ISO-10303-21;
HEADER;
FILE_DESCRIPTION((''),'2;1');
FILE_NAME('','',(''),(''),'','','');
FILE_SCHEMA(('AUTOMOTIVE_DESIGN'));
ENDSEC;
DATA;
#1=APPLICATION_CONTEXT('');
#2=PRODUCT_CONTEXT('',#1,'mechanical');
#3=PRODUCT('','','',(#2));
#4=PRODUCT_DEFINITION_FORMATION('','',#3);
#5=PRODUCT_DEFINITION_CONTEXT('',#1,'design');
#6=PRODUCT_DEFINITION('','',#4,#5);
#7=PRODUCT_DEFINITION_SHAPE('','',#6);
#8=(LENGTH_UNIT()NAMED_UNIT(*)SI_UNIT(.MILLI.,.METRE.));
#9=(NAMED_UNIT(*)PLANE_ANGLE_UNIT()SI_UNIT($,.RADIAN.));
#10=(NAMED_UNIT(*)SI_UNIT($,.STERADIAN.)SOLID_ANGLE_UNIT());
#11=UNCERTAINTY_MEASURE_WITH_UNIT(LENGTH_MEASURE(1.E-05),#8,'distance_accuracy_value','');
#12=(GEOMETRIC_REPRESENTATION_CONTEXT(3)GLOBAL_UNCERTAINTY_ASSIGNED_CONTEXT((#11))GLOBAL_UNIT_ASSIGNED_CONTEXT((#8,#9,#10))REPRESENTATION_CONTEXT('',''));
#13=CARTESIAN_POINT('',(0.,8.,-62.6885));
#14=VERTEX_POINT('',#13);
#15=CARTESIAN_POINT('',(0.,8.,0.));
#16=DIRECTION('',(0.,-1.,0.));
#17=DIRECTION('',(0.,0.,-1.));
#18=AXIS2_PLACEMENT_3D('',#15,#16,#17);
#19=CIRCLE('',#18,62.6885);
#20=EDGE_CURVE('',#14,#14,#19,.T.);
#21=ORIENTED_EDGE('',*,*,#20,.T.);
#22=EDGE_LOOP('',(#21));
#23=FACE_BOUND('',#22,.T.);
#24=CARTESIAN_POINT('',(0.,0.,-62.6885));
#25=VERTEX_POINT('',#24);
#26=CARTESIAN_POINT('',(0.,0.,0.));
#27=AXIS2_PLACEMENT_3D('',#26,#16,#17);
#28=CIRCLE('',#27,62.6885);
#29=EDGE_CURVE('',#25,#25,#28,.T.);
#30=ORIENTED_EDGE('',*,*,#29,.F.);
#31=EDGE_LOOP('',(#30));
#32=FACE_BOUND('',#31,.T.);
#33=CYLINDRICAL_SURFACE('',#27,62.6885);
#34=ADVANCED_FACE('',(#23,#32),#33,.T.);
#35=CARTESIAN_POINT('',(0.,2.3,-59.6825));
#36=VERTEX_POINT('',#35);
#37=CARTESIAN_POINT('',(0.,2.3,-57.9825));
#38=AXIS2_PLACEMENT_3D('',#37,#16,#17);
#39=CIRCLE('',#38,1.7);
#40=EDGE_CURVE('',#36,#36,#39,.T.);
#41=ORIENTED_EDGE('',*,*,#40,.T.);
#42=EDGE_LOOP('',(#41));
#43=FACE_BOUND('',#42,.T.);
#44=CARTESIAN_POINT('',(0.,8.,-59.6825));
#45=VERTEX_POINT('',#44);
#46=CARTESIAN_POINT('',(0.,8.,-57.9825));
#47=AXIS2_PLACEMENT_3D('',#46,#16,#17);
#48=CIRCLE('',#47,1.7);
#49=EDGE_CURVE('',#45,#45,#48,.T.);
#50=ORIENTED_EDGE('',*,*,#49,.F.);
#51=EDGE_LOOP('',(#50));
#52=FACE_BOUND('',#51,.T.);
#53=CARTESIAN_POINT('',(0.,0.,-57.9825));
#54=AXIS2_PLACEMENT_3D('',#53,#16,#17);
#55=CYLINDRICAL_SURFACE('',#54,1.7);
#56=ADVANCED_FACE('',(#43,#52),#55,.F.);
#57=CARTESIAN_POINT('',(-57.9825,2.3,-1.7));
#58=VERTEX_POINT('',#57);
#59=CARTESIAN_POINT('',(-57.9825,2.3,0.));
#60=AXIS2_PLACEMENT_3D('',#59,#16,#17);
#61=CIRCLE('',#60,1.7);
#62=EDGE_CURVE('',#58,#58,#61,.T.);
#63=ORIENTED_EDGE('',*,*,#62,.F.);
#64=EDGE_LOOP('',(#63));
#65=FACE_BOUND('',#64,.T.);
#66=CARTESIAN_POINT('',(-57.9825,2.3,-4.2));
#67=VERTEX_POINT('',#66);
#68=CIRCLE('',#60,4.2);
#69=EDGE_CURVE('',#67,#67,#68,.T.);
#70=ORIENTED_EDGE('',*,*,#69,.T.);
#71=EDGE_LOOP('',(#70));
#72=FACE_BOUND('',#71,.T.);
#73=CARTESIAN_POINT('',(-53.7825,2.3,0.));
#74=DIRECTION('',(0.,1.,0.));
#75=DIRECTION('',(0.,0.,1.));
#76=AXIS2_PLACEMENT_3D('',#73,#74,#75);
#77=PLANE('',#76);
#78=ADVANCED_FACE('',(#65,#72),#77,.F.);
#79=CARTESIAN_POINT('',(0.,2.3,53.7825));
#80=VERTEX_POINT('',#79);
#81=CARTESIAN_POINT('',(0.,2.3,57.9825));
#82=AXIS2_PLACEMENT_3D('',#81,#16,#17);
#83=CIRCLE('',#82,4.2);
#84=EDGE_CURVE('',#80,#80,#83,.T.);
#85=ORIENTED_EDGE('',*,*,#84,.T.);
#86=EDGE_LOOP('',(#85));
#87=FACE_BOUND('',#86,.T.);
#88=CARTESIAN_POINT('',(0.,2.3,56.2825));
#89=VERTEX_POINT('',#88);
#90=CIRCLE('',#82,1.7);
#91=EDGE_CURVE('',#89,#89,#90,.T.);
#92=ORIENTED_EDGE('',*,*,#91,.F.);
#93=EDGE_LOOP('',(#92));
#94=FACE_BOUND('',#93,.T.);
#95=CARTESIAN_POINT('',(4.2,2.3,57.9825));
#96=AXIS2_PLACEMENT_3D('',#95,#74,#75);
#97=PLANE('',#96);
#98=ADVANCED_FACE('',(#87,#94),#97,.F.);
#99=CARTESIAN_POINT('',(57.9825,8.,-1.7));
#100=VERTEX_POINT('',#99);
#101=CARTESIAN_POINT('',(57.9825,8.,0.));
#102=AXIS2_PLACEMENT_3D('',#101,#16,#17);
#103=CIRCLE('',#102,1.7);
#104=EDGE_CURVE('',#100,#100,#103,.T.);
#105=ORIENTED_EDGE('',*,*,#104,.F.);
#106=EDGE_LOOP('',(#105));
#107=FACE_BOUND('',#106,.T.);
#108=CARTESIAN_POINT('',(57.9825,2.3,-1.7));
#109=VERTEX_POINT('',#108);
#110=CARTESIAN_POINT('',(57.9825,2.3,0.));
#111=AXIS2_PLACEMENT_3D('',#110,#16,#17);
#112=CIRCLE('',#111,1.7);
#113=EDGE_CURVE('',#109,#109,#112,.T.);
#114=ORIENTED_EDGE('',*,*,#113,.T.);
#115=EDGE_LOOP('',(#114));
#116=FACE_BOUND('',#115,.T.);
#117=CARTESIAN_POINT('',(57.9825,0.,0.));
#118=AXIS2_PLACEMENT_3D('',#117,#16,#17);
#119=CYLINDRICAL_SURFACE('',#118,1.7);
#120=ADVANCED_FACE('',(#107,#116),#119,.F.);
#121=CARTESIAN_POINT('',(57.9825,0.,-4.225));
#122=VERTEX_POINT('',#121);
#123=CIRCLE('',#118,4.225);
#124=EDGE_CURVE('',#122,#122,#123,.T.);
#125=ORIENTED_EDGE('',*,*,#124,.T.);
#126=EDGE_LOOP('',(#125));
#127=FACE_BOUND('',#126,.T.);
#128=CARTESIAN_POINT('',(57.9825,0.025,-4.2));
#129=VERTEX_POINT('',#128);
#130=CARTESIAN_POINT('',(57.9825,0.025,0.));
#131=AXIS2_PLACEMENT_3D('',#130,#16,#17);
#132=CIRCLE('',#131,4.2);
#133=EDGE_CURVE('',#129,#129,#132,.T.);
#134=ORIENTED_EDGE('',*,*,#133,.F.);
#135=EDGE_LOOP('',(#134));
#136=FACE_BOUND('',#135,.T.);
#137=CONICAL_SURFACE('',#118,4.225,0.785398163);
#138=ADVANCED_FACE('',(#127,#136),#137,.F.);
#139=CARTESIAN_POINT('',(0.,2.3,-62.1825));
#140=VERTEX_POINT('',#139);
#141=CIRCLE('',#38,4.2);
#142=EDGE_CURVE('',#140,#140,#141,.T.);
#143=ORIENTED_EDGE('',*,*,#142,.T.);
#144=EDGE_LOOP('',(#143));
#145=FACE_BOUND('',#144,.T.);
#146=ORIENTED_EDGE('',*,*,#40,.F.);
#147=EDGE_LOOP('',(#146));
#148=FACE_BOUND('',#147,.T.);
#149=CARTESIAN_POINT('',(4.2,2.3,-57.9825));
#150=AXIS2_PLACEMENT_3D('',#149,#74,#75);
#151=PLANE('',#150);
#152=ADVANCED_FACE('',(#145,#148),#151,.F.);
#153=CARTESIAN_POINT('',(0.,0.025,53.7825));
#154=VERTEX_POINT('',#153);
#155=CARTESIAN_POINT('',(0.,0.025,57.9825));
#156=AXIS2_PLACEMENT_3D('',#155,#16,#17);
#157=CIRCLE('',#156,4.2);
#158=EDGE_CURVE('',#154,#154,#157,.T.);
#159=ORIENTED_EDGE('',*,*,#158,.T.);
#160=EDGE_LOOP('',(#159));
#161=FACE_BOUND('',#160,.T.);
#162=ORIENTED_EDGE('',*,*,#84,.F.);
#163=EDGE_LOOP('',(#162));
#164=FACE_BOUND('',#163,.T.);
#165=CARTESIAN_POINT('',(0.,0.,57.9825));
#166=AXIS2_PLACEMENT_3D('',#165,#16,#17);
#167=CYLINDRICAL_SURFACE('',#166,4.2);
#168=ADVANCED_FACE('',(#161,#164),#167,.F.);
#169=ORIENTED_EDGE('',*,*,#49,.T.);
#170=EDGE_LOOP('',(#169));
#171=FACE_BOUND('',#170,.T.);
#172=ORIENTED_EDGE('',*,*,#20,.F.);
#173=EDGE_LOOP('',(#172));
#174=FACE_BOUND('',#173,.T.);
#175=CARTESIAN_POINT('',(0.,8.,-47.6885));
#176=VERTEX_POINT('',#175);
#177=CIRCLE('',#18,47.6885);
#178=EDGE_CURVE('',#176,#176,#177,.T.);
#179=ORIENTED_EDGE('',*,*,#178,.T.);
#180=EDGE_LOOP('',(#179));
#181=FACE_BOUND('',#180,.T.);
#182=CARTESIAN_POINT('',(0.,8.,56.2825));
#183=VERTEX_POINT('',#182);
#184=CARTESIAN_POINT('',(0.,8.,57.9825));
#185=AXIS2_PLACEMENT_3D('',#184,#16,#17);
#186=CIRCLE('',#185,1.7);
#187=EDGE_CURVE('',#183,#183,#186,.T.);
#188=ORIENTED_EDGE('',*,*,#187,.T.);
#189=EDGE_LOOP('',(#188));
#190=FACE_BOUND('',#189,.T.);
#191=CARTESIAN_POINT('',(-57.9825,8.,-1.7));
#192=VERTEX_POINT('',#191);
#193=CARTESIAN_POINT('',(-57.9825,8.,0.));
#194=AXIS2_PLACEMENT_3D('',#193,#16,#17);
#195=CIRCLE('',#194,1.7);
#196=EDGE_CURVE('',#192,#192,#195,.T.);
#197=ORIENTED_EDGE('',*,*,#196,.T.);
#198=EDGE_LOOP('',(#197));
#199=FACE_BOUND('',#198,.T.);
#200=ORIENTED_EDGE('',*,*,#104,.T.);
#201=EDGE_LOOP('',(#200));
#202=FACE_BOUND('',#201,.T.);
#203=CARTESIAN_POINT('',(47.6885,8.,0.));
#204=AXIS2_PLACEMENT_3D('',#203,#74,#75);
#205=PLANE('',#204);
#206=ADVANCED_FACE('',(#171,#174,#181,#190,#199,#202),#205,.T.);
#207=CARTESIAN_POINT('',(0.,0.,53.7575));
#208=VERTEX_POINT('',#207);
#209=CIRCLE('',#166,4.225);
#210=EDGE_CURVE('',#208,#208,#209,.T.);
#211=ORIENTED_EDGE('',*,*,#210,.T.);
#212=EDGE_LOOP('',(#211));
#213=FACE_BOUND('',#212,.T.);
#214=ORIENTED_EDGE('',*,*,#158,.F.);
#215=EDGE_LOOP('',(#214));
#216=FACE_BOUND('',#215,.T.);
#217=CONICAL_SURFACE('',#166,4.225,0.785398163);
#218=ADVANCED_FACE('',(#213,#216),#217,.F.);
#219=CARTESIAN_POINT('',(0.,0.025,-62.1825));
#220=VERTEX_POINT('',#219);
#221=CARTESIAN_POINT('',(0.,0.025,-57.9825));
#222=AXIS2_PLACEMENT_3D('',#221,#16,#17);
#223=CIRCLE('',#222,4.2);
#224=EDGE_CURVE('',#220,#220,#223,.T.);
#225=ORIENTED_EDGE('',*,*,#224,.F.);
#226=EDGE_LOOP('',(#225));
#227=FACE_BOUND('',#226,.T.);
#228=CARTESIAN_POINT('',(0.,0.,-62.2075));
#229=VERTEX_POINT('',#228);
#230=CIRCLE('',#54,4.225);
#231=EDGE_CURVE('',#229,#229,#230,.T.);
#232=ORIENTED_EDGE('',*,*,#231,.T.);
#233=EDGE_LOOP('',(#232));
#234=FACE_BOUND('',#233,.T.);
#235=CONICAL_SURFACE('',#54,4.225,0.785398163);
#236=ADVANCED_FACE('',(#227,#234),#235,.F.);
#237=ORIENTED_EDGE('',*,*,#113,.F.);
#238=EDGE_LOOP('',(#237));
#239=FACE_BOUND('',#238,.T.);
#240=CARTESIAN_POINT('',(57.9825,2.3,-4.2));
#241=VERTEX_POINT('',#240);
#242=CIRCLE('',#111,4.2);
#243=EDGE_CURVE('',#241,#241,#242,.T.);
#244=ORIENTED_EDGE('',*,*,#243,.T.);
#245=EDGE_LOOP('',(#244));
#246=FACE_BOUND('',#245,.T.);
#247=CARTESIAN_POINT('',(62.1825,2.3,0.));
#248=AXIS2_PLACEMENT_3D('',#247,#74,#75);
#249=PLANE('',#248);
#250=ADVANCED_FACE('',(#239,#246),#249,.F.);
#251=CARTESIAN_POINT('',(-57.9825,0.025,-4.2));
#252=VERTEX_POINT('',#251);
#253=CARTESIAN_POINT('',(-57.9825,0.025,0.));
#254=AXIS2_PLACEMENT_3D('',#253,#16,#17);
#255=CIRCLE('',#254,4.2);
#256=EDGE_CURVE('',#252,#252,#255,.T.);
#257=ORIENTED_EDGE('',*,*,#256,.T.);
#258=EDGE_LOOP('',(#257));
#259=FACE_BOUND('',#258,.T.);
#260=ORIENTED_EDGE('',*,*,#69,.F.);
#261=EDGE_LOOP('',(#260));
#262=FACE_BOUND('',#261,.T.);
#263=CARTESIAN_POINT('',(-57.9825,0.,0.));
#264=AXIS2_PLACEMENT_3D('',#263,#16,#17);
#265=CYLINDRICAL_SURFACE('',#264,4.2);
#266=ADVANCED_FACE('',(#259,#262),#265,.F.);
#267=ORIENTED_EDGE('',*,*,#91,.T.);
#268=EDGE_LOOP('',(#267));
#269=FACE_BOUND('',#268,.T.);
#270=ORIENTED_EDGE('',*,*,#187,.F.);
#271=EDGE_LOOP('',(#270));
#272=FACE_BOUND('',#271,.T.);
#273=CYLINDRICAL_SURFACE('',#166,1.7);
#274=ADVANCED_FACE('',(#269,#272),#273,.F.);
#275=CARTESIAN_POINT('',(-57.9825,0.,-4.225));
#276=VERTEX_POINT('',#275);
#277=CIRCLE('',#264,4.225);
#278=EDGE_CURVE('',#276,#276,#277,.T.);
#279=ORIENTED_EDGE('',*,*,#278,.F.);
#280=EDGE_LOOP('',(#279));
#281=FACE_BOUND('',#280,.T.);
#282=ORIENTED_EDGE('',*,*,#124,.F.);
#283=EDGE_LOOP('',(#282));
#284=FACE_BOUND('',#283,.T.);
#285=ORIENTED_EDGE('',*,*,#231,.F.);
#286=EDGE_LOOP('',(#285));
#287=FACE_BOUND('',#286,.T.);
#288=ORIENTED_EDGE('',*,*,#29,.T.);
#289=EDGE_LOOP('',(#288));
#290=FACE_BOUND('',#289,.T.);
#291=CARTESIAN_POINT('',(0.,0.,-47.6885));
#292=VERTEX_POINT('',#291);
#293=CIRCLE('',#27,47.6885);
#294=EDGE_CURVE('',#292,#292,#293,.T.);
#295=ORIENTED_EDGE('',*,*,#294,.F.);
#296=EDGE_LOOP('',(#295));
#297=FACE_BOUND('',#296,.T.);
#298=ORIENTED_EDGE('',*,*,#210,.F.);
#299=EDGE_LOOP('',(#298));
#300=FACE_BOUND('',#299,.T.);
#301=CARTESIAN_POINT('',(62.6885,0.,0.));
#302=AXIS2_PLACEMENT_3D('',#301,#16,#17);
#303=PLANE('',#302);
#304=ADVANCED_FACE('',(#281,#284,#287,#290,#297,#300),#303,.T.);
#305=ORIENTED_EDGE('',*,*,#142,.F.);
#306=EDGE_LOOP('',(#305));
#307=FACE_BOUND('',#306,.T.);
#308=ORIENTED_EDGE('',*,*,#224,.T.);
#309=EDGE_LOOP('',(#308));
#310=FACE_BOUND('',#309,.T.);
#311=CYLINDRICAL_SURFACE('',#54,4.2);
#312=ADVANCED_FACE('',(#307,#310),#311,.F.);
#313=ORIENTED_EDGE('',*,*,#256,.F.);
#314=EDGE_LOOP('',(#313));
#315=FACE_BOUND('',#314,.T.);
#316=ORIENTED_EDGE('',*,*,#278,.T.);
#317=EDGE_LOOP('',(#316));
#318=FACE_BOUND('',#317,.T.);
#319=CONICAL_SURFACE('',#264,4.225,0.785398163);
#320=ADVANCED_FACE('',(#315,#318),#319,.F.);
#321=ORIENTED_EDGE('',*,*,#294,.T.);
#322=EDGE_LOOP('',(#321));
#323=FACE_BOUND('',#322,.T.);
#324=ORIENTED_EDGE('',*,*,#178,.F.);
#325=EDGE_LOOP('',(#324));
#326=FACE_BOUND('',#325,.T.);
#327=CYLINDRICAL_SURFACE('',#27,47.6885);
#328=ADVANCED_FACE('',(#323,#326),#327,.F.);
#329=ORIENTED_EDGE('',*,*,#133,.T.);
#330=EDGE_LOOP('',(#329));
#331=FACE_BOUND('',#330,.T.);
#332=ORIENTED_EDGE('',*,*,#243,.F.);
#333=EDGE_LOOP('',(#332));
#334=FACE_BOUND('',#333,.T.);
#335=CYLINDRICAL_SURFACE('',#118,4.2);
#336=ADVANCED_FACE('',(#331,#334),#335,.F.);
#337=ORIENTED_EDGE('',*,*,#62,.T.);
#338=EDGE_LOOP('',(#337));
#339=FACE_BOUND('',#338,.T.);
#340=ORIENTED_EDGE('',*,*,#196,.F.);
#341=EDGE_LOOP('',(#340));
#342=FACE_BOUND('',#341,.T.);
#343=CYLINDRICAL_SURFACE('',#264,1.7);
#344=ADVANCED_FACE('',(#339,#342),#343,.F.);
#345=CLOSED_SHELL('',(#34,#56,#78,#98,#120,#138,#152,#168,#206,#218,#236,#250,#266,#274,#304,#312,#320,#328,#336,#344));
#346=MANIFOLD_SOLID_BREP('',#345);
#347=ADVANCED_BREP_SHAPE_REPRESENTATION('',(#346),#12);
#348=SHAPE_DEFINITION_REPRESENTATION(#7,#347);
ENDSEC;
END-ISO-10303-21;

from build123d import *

# Parameters (mm, degrees)
SKETCH1_W                                     = 15
SKETCH1_H                                     = 8
CBORE_FOR_M3_HEX_HEAD_MACHINE_SCREW1_AT_COUNT = 2
CBORE_FOR_M3_HEX_HEAD_MACHINE_SCREW1_AT_PITCH = 81.99963788
CBORE_FOR_M3_HEX_HEAD_MACHINE_SCREW1_2_COUNT  = 2
CBORE_FOR_M3_HEX_HEAD_MACHINE_SCREW1_2_PITCH  = 81.99963788
CBORE_FOR_M3_HEX_HEAD_MACHINE_SCREW1_3_COUNT  = 2
CBORE_FOR_M3_HEX_HEAD_MACHINE_SCREW1_3_PITCH  = 115.965


with BuildPart() as part:
    # Sketch1 → Revolve1 (revolve)
    with BuildSketch(Plane.XY, mode=Mode.PRIVATE) as revolve1_sk:
        with Locations((55.1885, 4)):
            Rectangle(SKETCH1_W, SKETCH1_H)
    revolve(revolve1_sk.sketch.rotate(Axis((0, 0, 0), (0, 1, 0)), 90), axis=Axis((0, 0, 0), (0, 1, 0)))

    # Sketch3 → CBORE for M3 Hex Head Machine Screw1 (revolve, cut)
    with BuildSketch(Plane(origin=(0, 0, -57.9825), x_dir=(0, 0, -1), z_dir=(1, 0, 0))):
        Polygon((0, 0), (0, 8), (1.7, 8), (1.7, 2.3), (4.2, 2.3), (4.2, 0.025), (4.225, 0), align=None)
    cbore_for_m3_hex_head_machine_screw1 = revolve(axis=Axis((0, -6.35, -57.9825), (0, 1, 0)), mode=Mode.SUBTRACT)

    # CBORE for M3 Hex Head Machine Screw1 at: CBORE for M3 Hex Head Machine Screw1 ×2
    with Locations(*[Vector(0.7071067811865476, 0, 0.7071067811865476) * (i * CBORE_FOR_M3_HEX_HEAD_MACHINE_SCREW1_AT_PITCH) for i in range(1, CBORE_FOR_M3_HEX_HEAD_MACHINE_SCREW1_AT_COUNT)]):
        add(cbore_for_m3_hex_head_machine_screw1, mode=Mode.SUBTRACT)

    # CBORE for M3 Hex Head Machine Screw1 2: CBORE for M3 Hex Head Machine Screw1 ×2
    with Locations(*[Vector(-0.7071067811865476, 0, 0.7071067811865476) * (i * CBORE_FOR_M3_HEX_HEAD_MACHINE_SCREW1_2_PITCH) for i in range(1, CBORE_FOR_M3_HEX_HEAD_MACHINE_SCREW1_2_COUNT)]):
        add(cbore_for_m3_hex_head_machine_screw1, mode=Mode.SUBTRACT)

    # CBORE for M3 Hex Head Machine Screw1 3: CBORE for M3 Hex Head Machine Screw1 ×2
    with Locations(*[(0, 0, i * CBORE_FOR_M3_HEX_HEAD_MACHINE_SCREW1_3_PITCH) for i in range(1, CBORE_FOR_M3_HEX_HEAD_MACHINE_SCREW1_3_COUNT)]):
        add(cbore_for_m3_hex_head_machine_screw1, mode=Mode.SUBTRACT)


solid = part.part
